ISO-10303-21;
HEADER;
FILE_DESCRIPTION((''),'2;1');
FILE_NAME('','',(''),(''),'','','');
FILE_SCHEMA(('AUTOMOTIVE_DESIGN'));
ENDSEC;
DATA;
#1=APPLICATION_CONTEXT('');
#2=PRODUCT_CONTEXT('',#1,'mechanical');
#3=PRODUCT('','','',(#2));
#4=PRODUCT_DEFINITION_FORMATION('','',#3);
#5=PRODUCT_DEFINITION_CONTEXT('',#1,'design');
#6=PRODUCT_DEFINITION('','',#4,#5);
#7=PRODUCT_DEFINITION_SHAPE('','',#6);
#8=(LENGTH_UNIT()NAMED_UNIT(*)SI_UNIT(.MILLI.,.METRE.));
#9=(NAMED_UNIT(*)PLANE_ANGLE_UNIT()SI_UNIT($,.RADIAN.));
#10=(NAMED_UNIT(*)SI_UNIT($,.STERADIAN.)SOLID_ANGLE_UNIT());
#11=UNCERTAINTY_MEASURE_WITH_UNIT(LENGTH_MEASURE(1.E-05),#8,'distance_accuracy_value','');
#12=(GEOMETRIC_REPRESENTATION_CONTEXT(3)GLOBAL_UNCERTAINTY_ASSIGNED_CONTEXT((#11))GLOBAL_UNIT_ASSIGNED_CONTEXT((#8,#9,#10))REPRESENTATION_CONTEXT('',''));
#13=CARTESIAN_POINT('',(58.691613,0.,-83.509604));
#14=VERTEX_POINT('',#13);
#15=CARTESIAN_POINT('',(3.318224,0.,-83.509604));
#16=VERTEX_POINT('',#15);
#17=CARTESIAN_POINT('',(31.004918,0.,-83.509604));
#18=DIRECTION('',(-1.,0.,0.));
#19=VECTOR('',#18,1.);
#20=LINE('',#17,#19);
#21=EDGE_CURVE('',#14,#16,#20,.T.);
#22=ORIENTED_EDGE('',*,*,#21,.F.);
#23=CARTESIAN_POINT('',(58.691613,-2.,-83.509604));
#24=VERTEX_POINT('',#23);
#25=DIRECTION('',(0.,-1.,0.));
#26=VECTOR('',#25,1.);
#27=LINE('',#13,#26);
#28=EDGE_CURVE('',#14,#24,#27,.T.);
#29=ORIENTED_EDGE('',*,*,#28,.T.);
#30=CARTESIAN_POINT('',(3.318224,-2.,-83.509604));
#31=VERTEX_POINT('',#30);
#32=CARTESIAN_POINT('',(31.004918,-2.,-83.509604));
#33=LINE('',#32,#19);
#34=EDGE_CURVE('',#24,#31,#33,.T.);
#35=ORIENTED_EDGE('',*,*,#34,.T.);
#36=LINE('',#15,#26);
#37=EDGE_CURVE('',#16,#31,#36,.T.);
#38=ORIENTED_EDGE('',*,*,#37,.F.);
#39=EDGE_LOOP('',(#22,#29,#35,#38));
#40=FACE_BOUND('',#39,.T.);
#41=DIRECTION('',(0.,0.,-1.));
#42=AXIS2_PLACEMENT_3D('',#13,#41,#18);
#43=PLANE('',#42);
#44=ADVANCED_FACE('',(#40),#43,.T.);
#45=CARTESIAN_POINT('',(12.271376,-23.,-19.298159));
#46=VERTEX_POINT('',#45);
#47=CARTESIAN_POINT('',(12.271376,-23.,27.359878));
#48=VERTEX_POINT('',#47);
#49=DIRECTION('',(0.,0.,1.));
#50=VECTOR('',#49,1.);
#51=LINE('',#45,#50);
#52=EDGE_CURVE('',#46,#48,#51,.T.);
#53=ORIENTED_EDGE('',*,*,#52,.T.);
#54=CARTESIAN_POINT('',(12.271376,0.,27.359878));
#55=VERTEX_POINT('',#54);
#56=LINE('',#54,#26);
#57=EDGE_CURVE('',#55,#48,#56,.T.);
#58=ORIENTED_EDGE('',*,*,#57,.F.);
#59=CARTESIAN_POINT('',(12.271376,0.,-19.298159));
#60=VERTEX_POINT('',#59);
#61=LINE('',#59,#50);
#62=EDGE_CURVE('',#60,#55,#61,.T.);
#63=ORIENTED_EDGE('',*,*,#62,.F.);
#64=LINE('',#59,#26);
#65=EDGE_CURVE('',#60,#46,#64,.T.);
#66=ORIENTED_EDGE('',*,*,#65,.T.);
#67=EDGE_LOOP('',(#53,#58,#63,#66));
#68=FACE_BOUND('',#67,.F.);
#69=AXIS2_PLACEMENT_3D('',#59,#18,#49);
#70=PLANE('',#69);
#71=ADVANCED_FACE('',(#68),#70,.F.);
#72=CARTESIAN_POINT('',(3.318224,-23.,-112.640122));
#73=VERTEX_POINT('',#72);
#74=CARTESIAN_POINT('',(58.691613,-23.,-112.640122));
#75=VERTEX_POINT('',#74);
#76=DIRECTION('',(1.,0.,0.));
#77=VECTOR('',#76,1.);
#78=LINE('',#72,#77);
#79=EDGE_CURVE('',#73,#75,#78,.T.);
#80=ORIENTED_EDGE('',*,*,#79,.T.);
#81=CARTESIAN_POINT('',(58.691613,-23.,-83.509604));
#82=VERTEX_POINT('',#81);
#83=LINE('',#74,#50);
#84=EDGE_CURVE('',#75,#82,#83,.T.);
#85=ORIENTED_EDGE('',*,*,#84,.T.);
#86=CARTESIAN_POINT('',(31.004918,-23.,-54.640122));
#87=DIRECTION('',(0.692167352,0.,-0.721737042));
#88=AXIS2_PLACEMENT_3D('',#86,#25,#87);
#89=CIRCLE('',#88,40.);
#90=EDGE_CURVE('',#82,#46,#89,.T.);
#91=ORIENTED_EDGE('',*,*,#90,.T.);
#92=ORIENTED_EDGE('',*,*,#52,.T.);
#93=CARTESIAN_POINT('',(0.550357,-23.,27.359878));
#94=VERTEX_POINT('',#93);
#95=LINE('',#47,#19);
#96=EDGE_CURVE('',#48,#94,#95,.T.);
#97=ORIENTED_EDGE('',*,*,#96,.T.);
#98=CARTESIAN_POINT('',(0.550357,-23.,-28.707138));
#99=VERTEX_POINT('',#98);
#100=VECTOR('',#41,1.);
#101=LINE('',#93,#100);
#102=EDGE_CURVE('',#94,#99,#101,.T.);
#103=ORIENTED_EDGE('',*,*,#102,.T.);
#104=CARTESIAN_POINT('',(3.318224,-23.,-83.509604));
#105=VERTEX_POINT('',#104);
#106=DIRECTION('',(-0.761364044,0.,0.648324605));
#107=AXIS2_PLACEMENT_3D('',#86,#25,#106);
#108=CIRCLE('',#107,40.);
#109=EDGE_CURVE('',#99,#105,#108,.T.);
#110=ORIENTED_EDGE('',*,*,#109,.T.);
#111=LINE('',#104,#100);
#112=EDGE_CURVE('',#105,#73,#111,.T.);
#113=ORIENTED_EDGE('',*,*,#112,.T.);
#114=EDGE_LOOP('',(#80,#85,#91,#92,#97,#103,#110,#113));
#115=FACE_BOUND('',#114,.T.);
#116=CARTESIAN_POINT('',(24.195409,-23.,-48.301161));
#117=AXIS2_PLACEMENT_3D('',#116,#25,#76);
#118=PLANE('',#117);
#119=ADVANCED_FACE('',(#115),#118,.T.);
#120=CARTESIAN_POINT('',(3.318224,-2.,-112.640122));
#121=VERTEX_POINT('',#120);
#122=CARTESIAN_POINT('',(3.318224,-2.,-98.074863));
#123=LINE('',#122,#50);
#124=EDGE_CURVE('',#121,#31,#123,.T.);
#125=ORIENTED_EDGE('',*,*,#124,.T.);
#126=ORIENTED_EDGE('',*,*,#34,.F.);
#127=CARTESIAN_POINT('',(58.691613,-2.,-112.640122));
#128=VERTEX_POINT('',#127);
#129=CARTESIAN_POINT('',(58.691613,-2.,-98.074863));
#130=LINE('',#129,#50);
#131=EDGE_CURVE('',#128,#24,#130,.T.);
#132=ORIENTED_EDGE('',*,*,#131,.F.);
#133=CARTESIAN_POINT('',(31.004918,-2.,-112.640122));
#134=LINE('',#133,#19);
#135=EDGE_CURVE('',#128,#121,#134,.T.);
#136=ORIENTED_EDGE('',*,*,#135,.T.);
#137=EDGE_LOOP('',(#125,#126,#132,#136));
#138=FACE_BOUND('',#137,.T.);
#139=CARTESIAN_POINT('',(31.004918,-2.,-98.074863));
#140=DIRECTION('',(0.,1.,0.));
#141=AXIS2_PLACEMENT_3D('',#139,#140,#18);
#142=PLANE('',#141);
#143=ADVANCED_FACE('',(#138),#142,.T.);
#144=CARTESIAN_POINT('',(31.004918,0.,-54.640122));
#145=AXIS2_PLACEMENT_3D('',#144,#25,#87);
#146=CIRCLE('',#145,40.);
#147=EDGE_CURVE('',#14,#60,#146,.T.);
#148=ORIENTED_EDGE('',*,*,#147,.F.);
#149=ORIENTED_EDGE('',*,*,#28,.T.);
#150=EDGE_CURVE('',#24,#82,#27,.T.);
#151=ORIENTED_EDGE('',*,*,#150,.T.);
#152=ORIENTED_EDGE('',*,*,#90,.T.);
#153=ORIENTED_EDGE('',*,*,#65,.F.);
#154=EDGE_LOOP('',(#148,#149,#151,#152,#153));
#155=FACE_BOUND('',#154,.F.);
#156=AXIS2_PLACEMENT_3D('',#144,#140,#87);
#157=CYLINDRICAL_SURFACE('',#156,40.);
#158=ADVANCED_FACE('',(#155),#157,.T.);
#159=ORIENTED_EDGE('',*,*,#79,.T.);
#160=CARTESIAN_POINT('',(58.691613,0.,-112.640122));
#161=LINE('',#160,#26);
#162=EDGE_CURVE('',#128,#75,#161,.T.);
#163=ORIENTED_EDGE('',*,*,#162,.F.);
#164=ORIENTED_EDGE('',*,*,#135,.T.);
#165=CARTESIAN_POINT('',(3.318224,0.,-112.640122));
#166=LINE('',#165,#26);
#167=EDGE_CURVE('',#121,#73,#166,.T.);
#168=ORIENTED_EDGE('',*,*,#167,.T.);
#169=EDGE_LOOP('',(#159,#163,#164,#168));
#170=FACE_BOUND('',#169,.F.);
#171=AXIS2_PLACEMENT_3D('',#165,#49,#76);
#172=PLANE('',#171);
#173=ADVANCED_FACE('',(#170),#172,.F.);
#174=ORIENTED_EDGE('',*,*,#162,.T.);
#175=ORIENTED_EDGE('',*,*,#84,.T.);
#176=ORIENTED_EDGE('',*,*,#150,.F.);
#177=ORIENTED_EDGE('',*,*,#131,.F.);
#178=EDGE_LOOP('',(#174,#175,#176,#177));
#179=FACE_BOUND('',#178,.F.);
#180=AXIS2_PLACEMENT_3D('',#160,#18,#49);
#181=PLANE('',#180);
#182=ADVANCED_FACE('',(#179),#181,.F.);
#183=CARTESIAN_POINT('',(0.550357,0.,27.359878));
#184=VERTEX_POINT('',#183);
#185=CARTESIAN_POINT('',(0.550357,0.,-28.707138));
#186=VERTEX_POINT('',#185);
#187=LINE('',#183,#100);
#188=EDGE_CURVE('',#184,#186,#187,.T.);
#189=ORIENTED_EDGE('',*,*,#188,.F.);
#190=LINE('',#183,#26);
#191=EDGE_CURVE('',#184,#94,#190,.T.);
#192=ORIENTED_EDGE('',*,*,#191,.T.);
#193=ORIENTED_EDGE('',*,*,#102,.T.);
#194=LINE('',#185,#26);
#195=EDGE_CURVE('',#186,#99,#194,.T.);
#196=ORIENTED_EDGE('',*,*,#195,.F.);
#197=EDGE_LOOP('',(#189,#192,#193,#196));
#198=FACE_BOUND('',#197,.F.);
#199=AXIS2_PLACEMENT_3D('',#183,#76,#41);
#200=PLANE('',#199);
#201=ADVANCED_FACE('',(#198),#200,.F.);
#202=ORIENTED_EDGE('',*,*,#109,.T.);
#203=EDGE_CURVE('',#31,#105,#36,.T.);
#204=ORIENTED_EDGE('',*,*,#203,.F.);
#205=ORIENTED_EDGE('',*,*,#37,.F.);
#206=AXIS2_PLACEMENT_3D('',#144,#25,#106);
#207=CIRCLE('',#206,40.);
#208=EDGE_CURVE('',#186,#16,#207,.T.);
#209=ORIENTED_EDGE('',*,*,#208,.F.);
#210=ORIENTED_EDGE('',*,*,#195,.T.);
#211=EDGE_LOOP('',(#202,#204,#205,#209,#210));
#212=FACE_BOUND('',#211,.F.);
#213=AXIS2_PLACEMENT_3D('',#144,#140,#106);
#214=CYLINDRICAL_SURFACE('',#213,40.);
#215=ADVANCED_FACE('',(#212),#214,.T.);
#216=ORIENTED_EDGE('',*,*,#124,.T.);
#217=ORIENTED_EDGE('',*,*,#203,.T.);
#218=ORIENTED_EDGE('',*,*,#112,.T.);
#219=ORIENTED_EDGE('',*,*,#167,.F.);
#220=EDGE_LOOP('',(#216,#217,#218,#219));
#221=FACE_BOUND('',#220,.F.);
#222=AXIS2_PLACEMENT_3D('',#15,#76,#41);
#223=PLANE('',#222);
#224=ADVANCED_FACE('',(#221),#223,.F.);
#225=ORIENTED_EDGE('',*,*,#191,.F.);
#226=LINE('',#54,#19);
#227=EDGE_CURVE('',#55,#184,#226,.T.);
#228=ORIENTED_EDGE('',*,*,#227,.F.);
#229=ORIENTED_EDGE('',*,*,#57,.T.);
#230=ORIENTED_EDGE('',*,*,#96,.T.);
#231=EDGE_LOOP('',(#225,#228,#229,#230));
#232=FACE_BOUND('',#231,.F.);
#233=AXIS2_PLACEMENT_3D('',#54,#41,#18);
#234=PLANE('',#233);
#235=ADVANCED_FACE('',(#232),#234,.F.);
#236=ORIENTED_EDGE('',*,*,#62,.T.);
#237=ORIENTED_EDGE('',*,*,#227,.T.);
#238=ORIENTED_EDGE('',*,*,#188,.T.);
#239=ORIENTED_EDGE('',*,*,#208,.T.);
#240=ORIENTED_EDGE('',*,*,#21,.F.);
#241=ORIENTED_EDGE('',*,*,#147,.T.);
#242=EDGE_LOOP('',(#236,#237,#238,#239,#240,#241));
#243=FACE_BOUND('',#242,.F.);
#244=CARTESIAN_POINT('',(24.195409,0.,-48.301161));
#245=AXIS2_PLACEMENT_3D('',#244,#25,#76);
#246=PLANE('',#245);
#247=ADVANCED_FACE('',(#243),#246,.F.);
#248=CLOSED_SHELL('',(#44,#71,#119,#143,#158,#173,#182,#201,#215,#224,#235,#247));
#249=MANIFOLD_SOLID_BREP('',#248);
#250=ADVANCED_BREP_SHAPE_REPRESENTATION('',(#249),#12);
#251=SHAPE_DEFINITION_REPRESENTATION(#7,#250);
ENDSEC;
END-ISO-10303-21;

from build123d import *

# Parameters (mm, degrees)
F1_DEPTH = 23
F2_W     = 55.3733881378
F2_H     = 29.1305183362
F3_DEPTH = 2


with BuildPart() as f1:
    # F0 (on Front) → F1 (new body)
    with BuildSketch(Plane.XZ):
        with BuildLine():
            Line((58.6916125421, -112.6401221338), (58.6916125421, -83.5096037976))
            ThreePointArc((58.6916125421, -83.5096037976), (63.4212285001, -31.2054716299), (12.2713760607, -19.2981585681))
            Line((12.2713760607, -19.2981585681), (12.2713760607, 27.3598778662))
            Line((12.2713760607, 27.3598778662), (0.550356732, 27.3598778662))
            Line((0.550356732, 27.3598778662), (0.550356732, -28.7071379409))
            ThreePointArc((0.550356732, -28.7071379409), (-8.9441612758, -56.657800803), (3.3182244043, -83.5096037976))
            Line((3.3182244043, -83.5096037976), (3.3182244043, -112.6401221338))
            Line((3.3182244043, -112.6401221338), (58.6916125421, -112.6401221338))
        make_face()
    extrude(amount=F1_DEPTH)

    # F2 (on face) → F3 (cut)
    with BuildSketch(Plane(origin=(0, 0, 0), x_dir=(-1, 0, 0), z_dir=(0, 1, 0))):
        with Locations((-31.0049184732, -98.0748629657)):
            Rectangle(F2_W, F2_H)
    extrude(amount=-F3_DEPTH, mode=Mode.SUBTRACT)


solid = f1.part
